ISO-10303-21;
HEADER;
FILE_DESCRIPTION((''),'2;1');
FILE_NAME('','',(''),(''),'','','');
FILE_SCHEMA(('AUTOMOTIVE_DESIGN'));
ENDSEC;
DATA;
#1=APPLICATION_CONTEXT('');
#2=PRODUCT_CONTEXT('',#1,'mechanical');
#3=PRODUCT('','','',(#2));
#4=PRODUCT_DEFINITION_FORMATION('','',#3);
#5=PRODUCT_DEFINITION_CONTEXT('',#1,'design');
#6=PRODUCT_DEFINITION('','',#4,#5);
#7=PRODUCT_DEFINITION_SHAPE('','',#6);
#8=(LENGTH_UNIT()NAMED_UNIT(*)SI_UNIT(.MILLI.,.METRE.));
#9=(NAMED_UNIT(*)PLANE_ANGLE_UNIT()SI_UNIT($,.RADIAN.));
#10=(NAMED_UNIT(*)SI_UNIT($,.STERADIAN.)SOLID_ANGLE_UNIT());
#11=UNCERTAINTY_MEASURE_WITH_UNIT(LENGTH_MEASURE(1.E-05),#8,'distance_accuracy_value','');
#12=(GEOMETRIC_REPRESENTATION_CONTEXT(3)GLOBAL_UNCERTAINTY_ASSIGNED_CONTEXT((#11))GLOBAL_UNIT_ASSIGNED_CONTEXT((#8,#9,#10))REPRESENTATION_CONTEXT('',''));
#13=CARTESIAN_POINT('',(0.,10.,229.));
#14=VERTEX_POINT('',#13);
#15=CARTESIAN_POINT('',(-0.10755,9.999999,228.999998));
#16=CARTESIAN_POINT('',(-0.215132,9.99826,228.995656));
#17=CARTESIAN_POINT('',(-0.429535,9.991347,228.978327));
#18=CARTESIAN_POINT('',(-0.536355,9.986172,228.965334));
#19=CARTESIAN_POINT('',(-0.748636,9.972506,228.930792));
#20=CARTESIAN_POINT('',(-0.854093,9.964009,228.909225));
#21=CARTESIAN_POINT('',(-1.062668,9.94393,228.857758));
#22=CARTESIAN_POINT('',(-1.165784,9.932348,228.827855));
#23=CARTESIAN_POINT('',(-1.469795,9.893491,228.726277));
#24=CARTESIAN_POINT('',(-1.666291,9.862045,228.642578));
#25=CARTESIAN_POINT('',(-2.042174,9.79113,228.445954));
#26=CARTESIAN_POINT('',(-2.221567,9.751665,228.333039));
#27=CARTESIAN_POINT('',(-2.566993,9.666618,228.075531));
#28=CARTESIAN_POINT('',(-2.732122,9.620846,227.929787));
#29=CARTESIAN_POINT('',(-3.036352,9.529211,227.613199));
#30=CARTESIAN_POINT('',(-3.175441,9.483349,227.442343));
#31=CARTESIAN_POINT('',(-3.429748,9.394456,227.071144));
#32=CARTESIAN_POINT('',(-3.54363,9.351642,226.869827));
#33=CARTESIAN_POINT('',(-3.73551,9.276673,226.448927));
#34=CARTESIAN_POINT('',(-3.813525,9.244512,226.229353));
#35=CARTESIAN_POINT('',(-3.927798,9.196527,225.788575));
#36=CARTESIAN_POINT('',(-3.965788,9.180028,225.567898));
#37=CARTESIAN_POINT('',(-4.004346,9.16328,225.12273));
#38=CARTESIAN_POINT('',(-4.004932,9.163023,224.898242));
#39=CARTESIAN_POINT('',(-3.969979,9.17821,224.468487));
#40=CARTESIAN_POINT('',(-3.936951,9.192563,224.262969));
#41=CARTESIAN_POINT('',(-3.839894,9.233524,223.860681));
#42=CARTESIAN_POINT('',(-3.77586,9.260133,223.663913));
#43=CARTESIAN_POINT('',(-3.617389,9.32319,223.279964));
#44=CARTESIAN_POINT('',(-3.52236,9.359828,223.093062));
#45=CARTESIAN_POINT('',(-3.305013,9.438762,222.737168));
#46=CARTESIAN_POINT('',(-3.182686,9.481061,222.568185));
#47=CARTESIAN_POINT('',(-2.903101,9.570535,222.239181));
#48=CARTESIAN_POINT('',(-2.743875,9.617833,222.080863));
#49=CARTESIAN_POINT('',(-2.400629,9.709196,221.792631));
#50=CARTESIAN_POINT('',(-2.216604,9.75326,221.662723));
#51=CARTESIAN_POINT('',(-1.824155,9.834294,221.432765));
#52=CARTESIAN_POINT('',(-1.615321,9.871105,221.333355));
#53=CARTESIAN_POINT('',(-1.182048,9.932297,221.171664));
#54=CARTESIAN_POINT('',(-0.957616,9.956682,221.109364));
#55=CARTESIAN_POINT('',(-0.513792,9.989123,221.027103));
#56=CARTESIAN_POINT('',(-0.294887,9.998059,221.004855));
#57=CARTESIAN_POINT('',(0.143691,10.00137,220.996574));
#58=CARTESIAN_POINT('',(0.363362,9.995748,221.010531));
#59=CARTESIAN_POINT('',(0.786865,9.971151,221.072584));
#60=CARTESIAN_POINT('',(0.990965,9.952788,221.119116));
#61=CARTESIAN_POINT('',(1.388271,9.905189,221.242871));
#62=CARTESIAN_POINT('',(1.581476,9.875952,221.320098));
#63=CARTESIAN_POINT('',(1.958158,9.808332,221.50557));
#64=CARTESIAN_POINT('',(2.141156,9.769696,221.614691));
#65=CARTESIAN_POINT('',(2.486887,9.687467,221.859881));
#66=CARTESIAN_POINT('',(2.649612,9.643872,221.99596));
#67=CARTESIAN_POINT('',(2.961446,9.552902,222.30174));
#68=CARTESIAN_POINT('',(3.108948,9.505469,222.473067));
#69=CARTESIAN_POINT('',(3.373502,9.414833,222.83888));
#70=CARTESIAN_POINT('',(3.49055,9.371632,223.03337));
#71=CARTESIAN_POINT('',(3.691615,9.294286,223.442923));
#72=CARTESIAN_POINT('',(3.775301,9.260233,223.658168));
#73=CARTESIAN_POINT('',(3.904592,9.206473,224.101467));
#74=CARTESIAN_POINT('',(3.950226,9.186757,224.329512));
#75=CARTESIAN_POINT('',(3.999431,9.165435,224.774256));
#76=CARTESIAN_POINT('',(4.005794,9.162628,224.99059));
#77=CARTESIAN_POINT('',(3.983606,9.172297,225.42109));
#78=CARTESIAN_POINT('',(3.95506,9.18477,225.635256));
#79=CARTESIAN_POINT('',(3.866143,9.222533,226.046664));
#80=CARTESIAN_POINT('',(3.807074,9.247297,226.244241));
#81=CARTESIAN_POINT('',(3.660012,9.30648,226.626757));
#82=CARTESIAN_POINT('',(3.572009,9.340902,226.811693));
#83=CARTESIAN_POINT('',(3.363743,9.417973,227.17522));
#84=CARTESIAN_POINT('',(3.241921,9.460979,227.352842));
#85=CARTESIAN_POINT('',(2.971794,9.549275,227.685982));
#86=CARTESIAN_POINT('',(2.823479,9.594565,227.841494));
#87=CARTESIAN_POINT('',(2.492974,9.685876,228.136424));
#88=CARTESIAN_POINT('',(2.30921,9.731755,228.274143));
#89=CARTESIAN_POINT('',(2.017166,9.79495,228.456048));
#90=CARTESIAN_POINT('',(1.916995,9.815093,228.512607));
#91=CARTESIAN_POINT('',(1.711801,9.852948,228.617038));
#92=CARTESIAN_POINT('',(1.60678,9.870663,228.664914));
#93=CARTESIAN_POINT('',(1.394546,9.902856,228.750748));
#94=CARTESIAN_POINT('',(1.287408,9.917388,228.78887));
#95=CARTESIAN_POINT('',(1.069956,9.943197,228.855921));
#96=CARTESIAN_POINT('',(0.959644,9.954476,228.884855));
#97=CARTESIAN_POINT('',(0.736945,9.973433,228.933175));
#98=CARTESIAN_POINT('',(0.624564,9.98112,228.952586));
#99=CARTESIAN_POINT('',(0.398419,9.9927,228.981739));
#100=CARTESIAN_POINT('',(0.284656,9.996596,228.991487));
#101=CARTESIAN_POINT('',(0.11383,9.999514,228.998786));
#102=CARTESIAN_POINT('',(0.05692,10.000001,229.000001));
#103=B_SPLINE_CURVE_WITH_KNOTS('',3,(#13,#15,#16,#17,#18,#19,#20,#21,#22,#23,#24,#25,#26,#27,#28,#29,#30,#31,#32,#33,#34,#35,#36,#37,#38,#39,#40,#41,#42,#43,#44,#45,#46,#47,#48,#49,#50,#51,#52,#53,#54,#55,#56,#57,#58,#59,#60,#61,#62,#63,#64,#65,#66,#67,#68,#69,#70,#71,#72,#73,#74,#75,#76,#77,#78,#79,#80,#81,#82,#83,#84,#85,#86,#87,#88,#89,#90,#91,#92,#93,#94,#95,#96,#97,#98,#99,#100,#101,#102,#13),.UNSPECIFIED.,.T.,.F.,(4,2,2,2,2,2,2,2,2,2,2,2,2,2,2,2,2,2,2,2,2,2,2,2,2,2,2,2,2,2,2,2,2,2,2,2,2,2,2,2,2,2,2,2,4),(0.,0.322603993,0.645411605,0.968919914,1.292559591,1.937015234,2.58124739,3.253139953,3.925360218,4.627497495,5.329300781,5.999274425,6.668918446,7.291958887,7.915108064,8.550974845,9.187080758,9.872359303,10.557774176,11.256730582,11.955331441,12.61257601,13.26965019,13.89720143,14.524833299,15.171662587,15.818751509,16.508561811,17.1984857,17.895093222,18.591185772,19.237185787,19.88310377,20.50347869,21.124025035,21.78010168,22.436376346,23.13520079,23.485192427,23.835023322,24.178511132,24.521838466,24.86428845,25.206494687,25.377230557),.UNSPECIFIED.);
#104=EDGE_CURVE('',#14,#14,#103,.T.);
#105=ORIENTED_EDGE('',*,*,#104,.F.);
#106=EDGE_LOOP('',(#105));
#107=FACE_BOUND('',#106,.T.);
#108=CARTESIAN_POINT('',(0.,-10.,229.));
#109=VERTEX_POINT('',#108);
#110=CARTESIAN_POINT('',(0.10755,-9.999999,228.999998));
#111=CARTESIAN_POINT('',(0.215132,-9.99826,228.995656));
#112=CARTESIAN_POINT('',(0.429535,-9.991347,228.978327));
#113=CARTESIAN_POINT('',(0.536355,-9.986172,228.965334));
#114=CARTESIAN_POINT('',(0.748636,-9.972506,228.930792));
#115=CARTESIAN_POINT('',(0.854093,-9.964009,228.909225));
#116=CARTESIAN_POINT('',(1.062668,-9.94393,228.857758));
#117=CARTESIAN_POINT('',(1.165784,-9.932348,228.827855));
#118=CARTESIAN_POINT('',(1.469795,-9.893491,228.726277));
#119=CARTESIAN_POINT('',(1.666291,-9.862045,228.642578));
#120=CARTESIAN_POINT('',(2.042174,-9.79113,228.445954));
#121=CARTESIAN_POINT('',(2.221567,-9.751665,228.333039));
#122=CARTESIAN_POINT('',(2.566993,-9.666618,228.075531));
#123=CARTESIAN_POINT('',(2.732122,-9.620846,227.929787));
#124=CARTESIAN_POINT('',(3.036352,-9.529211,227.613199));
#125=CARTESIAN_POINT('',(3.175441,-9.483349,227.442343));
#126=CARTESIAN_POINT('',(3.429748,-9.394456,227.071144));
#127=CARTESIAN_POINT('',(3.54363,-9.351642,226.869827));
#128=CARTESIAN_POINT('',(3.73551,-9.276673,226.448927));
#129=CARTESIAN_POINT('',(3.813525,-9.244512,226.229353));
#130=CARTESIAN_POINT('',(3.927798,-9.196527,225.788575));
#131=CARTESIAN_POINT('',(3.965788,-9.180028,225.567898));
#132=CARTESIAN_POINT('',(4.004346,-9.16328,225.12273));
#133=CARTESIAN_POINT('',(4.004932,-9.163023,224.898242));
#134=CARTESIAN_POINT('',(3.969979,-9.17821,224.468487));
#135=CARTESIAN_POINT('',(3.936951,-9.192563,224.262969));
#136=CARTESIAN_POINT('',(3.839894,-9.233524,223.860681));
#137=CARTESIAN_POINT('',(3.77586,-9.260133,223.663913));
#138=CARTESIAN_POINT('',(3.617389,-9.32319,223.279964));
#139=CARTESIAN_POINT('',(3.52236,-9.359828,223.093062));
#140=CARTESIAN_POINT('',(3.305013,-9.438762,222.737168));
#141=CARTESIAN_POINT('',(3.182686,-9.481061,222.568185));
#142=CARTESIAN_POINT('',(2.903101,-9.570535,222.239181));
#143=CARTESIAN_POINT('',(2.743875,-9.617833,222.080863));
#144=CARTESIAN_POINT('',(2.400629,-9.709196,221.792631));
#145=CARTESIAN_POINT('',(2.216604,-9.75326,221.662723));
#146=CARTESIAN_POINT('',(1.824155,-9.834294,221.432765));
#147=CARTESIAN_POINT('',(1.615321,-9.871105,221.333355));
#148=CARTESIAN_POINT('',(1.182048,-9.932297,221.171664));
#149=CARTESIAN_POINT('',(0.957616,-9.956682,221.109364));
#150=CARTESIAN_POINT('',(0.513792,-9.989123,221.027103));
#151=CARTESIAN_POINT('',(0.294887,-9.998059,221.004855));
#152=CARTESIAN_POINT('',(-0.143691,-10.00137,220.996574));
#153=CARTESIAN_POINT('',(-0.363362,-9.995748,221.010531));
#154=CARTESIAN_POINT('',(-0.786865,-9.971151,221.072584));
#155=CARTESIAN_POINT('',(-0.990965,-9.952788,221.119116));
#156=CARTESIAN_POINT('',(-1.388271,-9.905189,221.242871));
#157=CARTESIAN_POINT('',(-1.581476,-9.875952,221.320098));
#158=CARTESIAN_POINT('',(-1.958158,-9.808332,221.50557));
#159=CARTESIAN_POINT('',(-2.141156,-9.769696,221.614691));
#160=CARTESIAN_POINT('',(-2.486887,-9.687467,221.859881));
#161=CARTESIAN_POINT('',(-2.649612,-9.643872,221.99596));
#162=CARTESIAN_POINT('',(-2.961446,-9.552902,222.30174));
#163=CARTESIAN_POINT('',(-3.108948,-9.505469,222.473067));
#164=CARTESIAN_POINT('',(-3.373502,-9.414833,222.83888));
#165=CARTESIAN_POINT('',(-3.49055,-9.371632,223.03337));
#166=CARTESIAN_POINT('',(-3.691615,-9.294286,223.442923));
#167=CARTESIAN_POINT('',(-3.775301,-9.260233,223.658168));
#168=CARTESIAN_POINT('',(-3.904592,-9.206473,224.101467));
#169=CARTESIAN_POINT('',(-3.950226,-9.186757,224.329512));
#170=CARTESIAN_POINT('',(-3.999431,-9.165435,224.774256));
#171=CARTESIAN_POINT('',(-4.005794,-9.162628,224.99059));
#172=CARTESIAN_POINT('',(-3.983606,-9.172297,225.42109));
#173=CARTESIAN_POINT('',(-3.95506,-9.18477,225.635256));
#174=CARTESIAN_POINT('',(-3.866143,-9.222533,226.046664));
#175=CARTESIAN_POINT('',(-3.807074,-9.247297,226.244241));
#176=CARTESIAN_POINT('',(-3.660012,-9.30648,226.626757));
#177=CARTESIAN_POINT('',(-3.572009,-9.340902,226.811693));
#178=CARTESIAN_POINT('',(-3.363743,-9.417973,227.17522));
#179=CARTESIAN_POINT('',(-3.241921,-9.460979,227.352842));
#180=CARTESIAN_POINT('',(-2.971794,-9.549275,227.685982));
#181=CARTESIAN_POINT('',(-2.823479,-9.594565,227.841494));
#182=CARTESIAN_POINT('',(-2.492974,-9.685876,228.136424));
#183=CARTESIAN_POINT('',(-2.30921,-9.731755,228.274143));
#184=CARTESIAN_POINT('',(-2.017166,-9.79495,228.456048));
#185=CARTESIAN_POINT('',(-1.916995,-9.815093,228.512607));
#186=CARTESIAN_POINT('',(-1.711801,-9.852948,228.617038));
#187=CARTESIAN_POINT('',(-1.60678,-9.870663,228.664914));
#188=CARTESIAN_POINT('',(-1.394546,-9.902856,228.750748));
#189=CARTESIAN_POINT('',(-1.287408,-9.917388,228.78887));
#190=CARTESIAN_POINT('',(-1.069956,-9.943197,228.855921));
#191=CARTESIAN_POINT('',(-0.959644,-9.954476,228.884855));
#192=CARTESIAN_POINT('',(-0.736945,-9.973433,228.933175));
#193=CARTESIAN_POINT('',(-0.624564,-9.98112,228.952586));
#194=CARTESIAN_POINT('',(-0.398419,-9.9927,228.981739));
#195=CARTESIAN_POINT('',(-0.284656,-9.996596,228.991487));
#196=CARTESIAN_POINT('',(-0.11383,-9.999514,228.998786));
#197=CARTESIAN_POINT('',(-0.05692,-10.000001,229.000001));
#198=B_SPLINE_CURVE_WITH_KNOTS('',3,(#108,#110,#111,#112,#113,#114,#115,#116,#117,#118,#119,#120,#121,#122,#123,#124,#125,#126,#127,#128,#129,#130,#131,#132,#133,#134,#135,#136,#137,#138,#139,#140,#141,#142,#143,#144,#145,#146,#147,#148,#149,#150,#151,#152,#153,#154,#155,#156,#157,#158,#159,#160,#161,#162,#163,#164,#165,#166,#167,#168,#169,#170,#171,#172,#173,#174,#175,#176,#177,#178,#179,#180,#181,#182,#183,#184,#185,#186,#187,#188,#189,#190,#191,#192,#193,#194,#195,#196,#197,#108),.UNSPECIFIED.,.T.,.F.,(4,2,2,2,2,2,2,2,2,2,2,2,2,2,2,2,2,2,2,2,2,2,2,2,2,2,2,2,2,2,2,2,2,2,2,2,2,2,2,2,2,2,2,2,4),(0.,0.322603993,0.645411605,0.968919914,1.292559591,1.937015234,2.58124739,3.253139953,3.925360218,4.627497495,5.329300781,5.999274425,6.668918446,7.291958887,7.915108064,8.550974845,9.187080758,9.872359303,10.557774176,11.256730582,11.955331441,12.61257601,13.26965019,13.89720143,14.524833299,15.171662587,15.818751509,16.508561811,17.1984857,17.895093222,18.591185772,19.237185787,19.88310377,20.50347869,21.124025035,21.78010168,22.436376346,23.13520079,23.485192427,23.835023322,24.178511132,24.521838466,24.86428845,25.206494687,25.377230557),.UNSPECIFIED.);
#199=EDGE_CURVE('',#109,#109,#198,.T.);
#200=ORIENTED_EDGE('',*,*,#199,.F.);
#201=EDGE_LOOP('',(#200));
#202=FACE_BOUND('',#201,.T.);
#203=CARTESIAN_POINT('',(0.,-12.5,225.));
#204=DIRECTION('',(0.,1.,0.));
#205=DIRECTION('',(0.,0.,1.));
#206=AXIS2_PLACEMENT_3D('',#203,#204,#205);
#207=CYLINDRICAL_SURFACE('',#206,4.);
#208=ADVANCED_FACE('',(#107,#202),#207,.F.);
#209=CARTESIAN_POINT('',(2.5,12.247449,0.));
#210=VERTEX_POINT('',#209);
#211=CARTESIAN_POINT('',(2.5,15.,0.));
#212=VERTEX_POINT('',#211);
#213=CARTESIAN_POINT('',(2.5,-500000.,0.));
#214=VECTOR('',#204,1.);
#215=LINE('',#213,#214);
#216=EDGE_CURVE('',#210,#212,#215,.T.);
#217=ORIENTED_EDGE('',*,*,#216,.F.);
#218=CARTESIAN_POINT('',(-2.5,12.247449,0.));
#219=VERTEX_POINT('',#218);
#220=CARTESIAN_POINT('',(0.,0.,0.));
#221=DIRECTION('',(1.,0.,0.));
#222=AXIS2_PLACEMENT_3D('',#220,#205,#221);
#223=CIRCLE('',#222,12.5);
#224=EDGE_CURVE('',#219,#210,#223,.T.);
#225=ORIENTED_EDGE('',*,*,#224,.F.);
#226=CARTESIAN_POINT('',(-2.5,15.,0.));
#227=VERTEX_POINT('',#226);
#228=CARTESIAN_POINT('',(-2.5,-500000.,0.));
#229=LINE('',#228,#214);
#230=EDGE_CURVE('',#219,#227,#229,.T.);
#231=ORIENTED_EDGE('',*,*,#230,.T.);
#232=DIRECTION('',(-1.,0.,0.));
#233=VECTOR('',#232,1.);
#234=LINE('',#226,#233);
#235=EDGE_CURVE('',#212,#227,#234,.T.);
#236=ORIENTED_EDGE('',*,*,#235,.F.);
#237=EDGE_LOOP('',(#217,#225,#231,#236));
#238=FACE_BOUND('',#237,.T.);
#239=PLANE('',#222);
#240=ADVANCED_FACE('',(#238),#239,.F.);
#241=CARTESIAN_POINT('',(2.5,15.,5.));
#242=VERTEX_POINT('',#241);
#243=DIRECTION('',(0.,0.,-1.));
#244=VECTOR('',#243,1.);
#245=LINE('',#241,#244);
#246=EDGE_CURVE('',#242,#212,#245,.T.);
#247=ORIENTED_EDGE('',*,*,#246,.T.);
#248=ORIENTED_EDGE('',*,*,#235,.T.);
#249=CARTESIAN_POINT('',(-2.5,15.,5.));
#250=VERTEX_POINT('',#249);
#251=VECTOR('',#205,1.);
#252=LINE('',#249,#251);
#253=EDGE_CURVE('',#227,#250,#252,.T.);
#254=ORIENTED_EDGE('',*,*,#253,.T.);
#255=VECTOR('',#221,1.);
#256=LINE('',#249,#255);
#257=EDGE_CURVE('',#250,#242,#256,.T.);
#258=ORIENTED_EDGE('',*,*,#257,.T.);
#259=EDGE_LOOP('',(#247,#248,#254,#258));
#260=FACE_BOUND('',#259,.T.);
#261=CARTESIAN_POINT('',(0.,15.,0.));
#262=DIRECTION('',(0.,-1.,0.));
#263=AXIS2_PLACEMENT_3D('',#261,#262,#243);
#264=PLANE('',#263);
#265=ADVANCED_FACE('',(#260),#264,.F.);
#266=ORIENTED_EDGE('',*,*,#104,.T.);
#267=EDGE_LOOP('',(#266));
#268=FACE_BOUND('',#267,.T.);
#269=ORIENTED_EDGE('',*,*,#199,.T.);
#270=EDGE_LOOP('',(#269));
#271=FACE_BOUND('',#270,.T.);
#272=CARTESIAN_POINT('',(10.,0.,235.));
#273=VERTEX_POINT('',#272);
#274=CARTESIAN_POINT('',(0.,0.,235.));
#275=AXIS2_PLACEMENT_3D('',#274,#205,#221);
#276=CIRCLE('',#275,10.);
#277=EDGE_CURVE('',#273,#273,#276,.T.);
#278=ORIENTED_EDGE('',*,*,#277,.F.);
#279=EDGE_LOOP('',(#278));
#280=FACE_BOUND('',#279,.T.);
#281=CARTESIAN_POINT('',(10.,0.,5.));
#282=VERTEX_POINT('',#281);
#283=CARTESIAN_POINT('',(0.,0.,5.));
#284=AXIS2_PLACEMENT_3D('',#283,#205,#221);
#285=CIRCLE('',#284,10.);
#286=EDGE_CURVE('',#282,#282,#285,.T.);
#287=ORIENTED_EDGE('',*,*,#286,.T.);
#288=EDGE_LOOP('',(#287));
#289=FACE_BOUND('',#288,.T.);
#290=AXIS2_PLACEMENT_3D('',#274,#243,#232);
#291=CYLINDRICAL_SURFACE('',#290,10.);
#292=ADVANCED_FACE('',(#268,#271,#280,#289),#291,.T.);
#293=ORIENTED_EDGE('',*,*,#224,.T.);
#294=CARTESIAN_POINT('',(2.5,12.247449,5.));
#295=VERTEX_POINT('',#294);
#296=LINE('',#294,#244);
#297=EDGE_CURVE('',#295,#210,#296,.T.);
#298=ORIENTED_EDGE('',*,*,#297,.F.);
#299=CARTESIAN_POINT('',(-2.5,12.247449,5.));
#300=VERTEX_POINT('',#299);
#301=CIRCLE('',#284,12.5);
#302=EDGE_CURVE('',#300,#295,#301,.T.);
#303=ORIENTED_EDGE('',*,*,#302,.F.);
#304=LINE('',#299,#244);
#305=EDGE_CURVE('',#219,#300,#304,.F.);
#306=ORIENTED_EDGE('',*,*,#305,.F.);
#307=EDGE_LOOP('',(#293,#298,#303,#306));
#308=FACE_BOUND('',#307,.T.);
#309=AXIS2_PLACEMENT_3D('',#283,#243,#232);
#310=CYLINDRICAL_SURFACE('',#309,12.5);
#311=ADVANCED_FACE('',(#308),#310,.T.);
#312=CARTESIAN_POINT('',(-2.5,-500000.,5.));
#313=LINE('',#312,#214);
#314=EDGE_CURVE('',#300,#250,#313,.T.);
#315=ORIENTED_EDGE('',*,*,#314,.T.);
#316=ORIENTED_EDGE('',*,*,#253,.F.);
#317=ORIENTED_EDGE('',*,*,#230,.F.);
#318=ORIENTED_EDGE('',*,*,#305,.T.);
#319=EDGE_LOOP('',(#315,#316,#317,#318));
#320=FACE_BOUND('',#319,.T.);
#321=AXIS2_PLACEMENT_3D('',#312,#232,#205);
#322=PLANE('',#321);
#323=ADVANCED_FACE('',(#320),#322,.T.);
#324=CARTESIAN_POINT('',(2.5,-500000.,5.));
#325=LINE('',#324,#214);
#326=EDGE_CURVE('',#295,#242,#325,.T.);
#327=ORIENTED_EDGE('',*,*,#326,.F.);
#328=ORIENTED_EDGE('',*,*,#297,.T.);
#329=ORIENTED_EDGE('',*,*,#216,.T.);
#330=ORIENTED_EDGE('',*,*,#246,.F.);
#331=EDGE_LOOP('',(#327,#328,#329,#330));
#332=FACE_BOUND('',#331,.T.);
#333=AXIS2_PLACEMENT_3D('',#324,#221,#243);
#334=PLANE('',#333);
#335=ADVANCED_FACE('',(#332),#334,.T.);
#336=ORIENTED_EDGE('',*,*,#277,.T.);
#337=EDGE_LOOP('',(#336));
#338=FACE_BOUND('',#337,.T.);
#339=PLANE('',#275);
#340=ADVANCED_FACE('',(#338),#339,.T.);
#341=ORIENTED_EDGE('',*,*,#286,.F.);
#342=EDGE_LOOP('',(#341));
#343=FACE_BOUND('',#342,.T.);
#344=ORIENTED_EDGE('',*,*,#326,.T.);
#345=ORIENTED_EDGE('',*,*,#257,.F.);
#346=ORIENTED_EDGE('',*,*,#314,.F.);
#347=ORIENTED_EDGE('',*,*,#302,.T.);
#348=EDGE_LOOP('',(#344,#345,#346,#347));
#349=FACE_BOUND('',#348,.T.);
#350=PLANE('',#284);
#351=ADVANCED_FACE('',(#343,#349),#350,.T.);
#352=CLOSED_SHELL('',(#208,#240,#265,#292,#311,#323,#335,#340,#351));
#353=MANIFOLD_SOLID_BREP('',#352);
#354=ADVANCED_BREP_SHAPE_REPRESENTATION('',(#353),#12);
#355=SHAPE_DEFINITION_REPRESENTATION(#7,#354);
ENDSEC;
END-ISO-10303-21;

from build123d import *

# Parameters (mm, degrees)
SKETCH1_R                = 12.5
BOSS_EXTRUDE1_DEPTH      = 5
SKETCH3_R                = 10
BOSS_EXTRUDE2_DEPTH      = 230
CUT_EXTRUDE1_DEPTH       = 236.663955666
CUT_EXTRUDE1_DEPTH_BACK  = 236.663955666
SKETCH4_R                = 4
BOSS_EXTRUDE3_REACH      = 238.934
BOSS_EXTRUDE3_END_RADIUS = 12.5
SKETCH5_W                = 5
SKETCH5_H                = 5


with BuildPart() as part:
    # Sketch1 → Boss-Extrude1 (new body)
    with BuildSketch(Plane.XY):
        Circle(SKETCH1_R)
    extrude(amount=BOSS_EXTRUDE1_DEPTH)

    # Sketch3 → Boss-Extrude2 (add)
    with BuildSketch(Plane.XY.offset(5)):
        Circle(SKETCH3_R)
    extrude(amount=BOSS_EXTRUDE2_DEPTH)

    # Sketch4 → Cut-Extrude1 (cut, two sides: drawn at the far end of the back side and taken through both)
    with BuildSketch(Plane(origin=(0, 0, 0), x_dir=(1, 0, 0), z_dir=(0, 1, 0)).offset(-CUT_EXTRUDE1_DEPTH_BACK)):
        with Locations(Location((0, -225, 0), (0, 0, 270))):
            Circle(SKETCH4_R)
    extrude(amount=CUT_EXTRUDE1_DEPTH + CUT_EXTRUDE1_DEPTH_BACK, mode=Mode.SUBTRACT)

    # Boss-Extrude3: up to this cylinder (the profile starts outside it)
    boss_extrude3_end = Plane(origin=(0, 0, 2.5), z_dir=(0, 0, -1)) * Cylinder(BOSS_EXTRUDE3_END_RADIUS, 503.868, mode=Mode.PRIVATE)
    # Sketch5 → Boss-Extrude3 (add, up to the surface)
    with BuildSketch(Plane(origin=(0, 15, 0), x_dir=(1, 0, 0), z_dir=(0, 1, 0)), mode=Mode.PRIVATE) as boss_extrude3_sk1:
        with Locations((0, -2.5)):
            Rectangle(SKETCH5_W, SKETCH5_H)
    boss_extrude3_tool1 = extrude(boss_extrude3_sk1.sketch, amount=-BOSS_EXTRUDE3_REACH, mode=Mode.PRIVATE) - boss_extrude3_end
    add(boss_extrude3_tool1.solids().sort_by_distance((0, 15, 2.5))[0])


solid = part.part
